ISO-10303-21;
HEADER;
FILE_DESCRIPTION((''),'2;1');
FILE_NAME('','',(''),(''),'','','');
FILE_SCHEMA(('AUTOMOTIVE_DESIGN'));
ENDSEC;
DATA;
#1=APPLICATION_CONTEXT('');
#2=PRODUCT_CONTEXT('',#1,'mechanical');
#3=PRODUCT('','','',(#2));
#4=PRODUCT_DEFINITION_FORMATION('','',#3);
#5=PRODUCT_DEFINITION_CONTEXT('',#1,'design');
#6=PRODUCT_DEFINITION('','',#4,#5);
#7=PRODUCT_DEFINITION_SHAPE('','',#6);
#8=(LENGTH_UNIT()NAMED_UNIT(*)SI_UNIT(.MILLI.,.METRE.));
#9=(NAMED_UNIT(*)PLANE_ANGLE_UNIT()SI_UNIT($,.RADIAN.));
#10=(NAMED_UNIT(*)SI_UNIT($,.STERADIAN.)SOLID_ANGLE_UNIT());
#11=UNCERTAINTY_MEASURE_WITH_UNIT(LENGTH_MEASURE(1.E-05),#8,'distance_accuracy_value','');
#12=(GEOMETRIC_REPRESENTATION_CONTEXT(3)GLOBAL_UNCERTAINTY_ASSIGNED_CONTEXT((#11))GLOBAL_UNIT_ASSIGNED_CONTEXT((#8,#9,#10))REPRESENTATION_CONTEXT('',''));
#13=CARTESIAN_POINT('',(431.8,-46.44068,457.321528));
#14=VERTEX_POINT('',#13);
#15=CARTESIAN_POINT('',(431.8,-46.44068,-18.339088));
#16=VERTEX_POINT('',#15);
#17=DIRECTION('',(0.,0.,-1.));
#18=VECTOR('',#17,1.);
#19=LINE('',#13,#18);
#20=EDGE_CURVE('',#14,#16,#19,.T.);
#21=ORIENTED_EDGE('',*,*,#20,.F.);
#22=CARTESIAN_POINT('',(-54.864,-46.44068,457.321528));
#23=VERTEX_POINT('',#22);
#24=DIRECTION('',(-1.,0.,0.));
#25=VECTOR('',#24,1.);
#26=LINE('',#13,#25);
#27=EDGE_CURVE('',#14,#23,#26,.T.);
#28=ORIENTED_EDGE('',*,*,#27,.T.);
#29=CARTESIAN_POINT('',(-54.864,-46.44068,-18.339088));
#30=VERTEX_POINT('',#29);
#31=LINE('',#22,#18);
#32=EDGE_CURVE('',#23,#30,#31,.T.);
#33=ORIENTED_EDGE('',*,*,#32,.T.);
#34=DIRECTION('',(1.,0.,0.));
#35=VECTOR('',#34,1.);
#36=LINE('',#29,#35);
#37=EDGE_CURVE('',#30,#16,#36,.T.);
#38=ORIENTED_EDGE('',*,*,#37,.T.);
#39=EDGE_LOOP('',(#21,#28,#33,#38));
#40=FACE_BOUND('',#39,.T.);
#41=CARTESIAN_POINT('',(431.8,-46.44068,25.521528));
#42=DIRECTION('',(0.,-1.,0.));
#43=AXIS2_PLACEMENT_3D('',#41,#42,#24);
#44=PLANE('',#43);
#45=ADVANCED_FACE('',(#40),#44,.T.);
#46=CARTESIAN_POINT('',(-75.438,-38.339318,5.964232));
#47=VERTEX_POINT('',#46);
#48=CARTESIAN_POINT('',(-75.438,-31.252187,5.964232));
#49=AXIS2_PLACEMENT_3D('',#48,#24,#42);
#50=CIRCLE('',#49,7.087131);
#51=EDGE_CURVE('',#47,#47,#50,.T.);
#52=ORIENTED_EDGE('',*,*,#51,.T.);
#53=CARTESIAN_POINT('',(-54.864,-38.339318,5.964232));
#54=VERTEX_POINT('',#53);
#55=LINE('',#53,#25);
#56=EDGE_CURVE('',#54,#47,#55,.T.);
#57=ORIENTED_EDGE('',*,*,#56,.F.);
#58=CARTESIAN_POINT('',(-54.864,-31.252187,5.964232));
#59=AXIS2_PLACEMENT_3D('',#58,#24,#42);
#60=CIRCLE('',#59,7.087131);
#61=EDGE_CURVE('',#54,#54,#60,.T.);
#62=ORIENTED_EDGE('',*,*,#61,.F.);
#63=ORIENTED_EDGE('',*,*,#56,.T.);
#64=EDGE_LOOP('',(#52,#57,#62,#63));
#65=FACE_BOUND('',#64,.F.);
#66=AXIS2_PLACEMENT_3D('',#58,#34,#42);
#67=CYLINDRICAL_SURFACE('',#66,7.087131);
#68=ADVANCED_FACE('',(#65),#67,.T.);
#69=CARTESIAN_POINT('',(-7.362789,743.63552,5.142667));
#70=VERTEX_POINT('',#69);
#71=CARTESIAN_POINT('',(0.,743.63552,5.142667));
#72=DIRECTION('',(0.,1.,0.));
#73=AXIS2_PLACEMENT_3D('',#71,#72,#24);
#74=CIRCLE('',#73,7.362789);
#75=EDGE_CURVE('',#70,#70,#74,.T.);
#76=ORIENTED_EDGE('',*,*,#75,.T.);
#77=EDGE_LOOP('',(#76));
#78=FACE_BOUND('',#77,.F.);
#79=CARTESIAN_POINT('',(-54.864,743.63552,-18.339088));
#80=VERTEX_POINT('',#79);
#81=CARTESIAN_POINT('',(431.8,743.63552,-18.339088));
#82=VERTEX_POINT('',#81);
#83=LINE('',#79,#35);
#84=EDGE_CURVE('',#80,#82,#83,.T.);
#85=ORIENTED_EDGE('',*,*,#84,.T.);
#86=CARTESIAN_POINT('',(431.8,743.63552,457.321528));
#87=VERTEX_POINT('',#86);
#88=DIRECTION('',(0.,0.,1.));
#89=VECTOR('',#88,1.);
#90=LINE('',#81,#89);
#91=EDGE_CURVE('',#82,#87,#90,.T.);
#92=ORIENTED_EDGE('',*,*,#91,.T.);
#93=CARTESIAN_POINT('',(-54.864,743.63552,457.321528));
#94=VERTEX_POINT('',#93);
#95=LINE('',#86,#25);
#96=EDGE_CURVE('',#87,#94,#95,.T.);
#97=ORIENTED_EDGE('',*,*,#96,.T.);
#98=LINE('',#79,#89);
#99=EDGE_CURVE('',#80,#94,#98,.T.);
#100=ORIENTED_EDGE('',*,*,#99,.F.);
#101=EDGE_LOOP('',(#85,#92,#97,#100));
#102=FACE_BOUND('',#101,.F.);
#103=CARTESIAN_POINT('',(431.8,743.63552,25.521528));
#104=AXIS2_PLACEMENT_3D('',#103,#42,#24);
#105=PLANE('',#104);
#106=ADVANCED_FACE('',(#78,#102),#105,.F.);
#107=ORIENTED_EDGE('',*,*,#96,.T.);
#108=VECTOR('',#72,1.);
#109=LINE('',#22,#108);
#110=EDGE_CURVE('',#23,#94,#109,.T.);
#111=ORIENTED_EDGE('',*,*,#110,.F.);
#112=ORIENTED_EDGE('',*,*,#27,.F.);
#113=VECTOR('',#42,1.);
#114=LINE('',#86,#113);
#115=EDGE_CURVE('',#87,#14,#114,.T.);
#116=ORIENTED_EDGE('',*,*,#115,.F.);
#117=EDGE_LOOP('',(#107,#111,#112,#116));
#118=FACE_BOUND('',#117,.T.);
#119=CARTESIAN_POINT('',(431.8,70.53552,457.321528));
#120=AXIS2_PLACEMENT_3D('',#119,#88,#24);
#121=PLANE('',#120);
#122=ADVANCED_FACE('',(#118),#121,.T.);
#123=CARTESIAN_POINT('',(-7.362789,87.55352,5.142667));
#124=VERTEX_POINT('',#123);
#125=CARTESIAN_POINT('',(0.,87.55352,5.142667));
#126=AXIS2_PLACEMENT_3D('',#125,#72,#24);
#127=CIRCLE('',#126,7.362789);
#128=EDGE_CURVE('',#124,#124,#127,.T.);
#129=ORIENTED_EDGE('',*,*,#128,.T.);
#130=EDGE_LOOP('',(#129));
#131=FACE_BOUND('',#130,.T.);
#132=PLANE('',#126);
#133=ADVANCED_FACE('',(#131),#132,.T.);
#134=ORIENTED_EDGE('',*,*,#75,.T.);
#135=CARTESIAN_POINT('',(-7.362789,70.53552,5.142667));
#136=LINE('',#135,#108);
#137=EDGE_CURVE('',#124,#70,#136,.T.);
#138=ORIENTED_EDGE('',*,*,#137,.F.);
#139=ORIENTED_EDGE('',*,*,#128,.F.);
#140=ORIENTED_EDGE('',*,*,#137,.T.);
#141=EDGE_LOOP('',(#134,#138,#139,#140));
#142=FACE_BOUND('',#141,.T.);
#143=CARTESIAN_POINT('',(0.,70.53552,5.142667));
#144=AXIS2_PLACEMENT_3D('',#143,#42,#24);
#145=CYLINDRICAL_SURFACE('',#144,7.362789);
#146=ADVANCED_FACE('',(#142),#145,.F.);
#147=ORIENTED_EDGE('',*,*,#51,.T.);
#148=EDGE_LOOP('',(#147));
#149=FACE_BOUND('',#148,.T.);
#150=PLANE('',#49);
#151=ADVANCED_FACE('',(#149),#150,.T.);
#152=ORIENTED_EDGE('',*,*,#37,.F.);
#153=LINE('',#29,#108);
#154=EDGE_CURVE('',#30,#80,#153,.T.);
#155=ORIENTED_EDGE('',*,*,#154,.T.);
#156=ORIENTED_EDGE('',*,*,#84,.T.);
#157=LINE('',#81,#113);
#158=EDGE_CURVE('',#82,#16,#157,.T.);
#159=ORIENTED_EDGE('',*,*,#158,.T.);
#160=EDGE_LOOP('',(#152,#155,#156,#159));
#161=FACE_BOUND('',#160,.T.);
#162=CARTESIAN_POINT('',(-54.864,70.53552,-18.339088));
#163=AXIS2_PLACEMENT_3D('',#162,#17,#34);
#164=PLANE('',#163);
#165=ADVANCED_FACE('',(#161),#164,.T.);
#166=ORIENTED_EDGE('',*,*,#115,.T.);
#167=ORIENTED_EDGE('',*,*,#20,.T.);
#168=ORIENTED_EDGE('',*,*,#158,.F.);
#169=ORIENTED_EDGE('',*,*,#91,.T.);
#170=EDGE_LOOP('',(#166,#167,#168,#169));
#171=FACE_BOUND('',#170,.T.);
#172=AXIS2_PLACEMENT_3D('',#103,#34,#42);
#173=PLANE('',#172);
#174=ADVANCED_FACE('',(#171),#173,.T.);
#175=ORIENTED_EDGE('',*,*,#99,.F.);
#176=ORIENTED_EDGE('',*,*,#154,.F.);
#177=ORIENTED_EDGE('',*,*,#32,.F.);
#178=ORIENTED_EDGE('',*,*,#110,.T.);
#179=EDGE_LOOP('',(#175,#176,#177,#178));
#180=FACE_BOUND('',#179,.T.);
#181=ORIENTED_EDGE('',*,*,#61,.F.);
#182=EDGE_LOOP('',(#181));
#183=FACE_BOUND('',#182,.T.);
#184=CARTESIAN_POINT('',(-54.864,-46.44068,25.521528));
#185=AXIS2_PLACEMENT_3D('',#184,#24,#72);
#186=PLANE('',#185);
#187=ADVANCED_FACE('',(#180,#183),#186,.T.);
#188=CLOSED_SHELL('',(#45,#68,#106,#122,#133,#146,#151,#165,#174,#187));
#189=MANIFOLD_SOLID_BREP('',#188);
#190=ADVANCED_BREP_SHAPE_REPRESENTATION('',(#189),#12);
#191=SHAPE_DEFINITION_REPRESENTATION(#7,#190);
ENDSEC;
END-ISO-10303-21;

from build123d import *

# Parameters (mm, degrees)
F0_W      = 82.4321992695
F0_H      = 43.8606161624
F1_DEPTH  = 431.8
F2_DEPTH  = 54.864
F3_R      = 7.0871309168
F4_DEPTH  = 20.574
F5_R      = 7.362788809
F6_DEPTH  = 14.478
F7_DEPTH  = 34.544
F8_DEPTH  = 37.084
F9_DEPTH  = 673.1
F10_DEPTH = 431.8


with BuildPart() as f1:
    # F0 (on Right) → F1 (new body)
    with BuildSketch(Plane.YZ):
        with Locations((-5.2245799452, 3.5912198946)):
            Rectangle(F0_W, F0_H)
    extrude(amount=F1_DEPTH)

    # F2 (add): a face of the model
    f2_faces = [f1.faces().sort_by_distance(p)[0] for p in [
        (0, -5.2245799452, 3.5912198946),
    ]]
    extrude(f2_faces, amount=F2_DEPTH)

    # F3 (on face) → F4 (join)
    with BuildSketch(Plane(origin=(-54.864, 0, 0), x_dir=(0, -1, 0), z_dir=(-1, 0, 0))):
        with Locations((31.2521867454, 5.9642316774)):
            Circle(F3_R)
    extrude(amount=F4_DEPTH)

    # F5 (on face) → F6 (join)
    with BuildSketch(Plane(origin=(0, 35.9915196896, 0), x_dir=(-1, 0, 0), z_dir=(0, 1, 0))):
        with Locations((0, 5.1426673308)):
            Circle(F5_R)
    extrude(amount=F6_DEPTH)

    # F7 (add): a face of the model
    f7_faces = [f1.faces().sort_by_distance(p)[0] for p in [
        (189.9838185674, 35.9915196896, 3.5787418462),
    ]]
    extrude(f7_faces, amount=F7_DEPTH)

    # F8 (add): a face of the model
    f8_faces = [f1.faces().sort_by_distance(p)[0] for p in [
        (0, 50.4695196896, 5.1426673308),
    ]]
    extrude(f8_faces, amount=F8_DEPTH)

    # F9 (add): a face of the model
    f9_faces = [f1.faces().sort_by_distance(p)[0] for p in [
        (189.9838185674, 70.5355196896, 3.5787418462),
    ]]
    extrude(f9_faces, amount=F9_DEPTH)

    # F10 (add): a face of the model
    f10_faces = [f1.faces().sort_by_distance(p)[0] for p in [
        (188.468, 348.5974200548, 25.5215279758),
    ]]
    extrude(f10_faces, amount=F10_DEPTH)


solid = f1.part
